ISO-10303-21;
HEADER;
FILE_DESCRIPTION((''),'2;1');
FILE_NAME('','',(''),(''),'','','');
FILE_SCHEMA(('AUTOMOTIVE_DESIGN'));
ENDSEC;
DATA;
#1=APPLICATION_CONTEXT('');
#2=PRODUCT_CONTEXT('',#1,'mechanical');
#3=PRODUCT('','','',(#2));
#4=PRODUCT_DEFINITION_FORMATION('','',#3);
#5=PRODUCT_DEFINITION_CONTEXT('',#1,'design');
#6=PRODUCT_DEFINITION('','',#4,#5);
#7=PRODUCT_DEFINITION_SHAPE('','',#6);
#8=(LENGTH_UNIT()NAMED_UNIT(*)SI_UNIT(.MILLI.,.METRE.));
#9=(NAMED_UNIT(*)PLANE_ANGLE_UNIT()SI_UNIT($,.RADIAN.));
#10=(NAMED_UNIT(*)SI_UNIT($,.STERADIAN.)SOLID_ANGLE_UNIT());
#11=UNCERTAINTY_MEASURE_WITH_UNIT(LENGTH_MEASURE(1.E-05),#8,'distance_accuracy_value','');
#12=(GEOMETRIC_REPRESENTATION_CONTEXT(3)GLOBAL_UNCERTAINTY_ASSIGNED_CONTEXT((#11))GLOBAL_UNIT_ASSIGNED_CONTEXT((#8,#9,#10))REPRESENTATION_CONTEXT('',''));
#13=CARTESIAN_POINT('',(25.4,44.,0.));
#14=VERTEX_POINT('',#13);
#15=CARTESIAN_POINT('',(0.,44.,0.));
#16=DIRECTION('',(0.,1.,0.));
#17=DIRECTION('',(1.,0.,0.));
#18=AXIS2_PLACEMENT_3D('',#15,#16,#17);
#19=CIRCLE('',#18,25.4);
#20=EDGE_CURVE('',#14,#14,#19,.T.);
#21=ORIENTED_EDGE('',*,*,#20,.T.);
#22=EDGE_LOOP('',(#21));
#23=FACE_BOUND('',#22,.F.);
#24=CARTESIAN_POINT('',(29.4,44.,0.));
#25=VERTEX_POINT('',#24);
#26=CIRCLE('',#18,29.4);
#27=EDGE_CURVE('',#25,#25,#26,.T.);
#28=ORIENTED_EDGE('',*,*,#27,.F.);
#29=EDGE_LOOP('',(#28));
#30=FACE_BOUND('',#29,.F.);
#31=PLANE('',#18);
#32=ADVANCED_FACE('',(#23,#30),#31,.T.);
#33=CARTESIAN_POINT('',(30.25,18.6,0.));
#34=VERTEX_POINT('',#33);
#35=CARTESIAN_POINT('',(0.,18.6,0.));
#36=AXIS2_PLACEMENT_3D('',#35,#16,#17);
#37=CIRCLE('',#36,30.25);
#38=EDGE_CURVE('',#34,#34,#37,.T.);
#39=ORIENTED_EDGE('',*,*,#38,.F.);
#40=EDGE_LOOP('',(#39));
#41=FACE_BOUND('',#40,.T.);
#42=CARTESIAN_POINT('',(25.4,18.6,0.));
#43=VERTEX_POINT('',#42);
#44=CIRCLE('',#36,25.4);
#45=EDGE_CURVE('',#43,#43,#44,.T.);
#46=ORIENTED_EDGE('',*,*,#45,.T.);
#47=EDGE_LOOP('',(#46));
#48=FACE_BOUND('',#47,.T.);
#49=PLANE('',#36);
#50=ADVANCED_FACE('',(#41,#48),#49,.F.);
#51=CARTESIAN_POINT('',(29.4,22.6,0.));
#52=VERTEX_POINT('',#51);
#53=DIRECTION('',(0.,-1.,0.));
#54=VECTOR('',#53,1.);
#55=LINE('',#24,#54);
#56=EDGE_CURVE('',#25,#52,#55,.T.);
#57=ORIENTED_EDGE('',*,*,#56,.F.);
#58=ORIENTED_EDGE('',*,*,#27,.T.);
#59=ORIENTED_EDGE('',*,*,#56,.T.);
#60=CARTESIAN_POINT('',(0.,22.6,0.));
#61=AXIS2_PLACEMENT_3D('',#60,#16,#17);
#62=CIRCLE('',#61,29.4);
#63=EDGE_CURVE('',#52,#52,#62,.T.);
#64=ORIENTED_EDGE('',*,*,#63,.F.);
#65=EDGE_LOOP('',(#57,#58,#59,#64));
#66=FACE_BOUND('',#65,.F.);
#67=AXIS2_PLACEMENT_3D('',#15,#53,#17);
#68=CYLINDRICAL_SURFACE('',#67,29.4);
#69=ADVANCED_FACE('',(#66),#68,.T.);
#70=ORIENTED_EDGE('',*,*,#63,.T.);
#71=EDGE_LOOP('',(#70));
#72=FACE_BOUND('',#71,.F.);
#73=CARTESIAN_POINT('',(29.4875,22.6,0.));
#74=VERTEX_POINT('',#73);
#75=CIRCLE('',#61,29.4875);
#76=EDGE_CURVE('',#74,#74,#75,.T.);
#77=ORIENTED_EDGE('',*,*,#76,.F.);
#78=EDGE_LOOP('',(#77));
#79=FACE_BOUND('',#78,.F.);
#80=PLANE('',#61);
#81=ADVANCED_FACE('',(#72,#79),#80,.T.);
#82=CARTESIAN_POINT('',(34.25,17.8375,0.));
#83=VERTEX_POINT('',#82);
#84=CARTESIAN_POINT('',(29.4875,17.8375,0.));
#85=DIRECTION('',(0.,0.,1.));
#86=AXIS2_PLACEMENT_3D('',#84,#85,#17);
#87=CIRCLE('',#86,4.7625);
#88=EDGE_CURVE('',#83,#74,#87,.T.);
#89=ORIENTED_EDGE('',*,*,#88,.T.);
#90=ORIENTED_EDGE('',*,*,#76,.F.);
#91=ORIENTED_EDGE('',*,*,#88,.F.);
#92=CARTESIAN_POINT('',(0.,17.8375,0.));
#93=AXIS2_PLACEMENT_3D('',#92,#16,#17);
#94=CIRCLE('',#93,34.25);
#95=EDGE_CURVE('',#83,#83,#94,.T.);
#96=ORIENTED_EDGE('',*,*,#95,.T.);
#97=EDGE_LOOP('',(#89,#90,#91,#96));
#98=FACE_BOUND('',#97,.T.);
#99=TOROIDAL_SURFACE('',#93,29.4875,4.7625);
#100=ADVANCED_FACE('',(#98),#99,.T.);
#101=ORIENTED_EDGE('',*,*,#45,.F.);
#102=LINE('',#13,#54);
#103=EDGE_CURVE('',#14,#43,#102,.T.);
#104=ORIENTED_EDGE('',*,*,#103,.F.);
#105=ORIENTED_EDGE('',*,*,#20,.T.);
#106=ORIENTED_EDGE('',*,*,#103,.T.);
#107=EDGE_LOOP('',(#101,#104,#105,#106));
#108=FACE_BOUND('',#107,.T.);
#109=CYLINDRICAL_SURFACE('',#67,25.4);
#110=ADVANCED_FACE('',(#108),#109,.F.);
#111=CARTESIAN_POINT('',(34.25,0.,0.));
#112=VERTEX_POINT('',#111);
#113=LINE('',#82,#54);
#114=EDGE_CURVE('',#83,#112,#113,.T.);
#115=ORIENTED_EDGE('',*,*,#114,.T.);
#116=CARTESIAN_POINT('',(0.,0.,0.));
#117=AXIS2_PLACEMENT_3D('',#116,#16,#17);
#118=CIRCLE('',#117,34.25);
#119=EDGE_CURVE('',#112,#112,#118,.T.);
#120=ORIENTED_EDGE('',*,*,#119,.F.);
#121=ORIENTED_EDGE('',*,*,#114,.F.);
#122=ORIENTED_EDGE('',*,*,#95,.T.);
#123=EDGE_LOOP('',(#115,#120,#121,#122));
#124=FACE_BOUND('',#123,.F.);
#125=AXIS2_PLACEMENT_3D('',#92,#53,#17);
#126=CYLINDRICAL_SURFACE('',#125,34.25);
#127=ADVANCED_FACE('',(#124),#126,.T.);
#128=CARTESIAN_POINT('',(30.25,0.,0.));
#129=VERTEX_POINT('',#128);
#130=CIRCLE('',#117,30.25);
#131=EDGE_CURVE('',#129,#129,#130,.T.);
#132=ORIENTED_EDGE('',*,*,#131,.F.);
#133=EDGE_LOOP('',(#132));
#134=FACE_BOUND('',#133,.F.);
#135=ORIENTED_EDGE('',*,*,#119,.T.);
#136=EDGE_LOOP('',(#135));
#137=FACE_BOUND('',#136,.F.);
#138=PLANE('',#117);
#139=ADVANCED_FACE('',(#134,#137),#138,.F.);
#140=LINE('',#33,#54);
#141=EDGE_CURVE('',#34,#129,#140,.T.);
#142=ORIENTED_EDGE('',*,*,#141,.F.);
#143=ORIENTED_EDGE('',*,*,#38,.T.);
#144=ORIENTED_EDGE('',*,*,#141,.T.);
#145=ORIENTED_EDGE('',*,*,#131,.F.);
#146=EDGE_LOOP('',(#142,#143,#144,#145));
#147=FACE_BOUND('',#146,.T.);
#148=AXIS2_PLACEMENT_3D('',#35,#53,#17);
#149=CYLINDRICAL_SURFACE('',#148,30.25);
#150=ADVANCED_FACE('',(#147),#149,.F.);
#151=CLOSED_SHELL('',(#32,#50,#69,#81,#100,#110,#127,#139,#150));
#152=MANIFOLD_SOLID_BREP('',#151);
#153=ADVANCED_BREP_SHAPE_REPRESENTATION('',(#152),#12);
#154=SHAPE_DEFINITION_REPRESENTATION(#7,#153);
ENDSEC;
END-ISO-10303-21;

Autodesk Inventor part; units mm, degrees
ref_plane "YZ Plane" through (0, 0, 0) normal (1, 0, 0) x (0, 1, 0)
ref_plane "XZ Plane" through (0, 0, 0) normal (0, 1, 0) x (-1, 0, 0)
ref_plane "XY Plane" through (0, 0, 0) normal (0, 0, 1) x (1, 0, 0)
sketch "Sketch1" plane through (0, 0, 0) normal (0, 0, 1) x (1, 0, 0)
  line L0 (0, 0) -> (0, 29.5332)
  line L1 (29.4, 44) -> (29.4, 22.6)
  line L2 (29.4, 22.6) -> (29.4875, 22.6)
  line L3 (34.25, 17.8375) -> (34.25, 0)
  line L4 (34.25, 0) -> (30.25, 0)
  line L5 (25.4, 44) -> (29.4, 44)
  line L6 (25.4, 44) -> (25.4, 18.6)
  line L7 (25.4, 18.6) -> (30.25, 18.6)
  line L8 (30.25, 18.6) -> (30.25, 0)
  arc A0 (34.25, 17.8375) -> (29.4875, 22.6) centre (29.4875, 17.8375) ccw
  dimension "d0" = 25.4
  dimension "d1" = 30.25
  dimension "d2" = 4
  dimension "d3" = 4
  dimension "d4" = 25.4
  dimension "d5" = 44
  dimension "d6" = 0
  dimension "d7" = 4
  dimension "d8" = 4.7625
revolve "Revolution1" add sketch "Sketch1" angle 360 about axis through (0, 0, 0) along (0, 1, 0)
properties part number "Male Adaptor to Water Sensor"
